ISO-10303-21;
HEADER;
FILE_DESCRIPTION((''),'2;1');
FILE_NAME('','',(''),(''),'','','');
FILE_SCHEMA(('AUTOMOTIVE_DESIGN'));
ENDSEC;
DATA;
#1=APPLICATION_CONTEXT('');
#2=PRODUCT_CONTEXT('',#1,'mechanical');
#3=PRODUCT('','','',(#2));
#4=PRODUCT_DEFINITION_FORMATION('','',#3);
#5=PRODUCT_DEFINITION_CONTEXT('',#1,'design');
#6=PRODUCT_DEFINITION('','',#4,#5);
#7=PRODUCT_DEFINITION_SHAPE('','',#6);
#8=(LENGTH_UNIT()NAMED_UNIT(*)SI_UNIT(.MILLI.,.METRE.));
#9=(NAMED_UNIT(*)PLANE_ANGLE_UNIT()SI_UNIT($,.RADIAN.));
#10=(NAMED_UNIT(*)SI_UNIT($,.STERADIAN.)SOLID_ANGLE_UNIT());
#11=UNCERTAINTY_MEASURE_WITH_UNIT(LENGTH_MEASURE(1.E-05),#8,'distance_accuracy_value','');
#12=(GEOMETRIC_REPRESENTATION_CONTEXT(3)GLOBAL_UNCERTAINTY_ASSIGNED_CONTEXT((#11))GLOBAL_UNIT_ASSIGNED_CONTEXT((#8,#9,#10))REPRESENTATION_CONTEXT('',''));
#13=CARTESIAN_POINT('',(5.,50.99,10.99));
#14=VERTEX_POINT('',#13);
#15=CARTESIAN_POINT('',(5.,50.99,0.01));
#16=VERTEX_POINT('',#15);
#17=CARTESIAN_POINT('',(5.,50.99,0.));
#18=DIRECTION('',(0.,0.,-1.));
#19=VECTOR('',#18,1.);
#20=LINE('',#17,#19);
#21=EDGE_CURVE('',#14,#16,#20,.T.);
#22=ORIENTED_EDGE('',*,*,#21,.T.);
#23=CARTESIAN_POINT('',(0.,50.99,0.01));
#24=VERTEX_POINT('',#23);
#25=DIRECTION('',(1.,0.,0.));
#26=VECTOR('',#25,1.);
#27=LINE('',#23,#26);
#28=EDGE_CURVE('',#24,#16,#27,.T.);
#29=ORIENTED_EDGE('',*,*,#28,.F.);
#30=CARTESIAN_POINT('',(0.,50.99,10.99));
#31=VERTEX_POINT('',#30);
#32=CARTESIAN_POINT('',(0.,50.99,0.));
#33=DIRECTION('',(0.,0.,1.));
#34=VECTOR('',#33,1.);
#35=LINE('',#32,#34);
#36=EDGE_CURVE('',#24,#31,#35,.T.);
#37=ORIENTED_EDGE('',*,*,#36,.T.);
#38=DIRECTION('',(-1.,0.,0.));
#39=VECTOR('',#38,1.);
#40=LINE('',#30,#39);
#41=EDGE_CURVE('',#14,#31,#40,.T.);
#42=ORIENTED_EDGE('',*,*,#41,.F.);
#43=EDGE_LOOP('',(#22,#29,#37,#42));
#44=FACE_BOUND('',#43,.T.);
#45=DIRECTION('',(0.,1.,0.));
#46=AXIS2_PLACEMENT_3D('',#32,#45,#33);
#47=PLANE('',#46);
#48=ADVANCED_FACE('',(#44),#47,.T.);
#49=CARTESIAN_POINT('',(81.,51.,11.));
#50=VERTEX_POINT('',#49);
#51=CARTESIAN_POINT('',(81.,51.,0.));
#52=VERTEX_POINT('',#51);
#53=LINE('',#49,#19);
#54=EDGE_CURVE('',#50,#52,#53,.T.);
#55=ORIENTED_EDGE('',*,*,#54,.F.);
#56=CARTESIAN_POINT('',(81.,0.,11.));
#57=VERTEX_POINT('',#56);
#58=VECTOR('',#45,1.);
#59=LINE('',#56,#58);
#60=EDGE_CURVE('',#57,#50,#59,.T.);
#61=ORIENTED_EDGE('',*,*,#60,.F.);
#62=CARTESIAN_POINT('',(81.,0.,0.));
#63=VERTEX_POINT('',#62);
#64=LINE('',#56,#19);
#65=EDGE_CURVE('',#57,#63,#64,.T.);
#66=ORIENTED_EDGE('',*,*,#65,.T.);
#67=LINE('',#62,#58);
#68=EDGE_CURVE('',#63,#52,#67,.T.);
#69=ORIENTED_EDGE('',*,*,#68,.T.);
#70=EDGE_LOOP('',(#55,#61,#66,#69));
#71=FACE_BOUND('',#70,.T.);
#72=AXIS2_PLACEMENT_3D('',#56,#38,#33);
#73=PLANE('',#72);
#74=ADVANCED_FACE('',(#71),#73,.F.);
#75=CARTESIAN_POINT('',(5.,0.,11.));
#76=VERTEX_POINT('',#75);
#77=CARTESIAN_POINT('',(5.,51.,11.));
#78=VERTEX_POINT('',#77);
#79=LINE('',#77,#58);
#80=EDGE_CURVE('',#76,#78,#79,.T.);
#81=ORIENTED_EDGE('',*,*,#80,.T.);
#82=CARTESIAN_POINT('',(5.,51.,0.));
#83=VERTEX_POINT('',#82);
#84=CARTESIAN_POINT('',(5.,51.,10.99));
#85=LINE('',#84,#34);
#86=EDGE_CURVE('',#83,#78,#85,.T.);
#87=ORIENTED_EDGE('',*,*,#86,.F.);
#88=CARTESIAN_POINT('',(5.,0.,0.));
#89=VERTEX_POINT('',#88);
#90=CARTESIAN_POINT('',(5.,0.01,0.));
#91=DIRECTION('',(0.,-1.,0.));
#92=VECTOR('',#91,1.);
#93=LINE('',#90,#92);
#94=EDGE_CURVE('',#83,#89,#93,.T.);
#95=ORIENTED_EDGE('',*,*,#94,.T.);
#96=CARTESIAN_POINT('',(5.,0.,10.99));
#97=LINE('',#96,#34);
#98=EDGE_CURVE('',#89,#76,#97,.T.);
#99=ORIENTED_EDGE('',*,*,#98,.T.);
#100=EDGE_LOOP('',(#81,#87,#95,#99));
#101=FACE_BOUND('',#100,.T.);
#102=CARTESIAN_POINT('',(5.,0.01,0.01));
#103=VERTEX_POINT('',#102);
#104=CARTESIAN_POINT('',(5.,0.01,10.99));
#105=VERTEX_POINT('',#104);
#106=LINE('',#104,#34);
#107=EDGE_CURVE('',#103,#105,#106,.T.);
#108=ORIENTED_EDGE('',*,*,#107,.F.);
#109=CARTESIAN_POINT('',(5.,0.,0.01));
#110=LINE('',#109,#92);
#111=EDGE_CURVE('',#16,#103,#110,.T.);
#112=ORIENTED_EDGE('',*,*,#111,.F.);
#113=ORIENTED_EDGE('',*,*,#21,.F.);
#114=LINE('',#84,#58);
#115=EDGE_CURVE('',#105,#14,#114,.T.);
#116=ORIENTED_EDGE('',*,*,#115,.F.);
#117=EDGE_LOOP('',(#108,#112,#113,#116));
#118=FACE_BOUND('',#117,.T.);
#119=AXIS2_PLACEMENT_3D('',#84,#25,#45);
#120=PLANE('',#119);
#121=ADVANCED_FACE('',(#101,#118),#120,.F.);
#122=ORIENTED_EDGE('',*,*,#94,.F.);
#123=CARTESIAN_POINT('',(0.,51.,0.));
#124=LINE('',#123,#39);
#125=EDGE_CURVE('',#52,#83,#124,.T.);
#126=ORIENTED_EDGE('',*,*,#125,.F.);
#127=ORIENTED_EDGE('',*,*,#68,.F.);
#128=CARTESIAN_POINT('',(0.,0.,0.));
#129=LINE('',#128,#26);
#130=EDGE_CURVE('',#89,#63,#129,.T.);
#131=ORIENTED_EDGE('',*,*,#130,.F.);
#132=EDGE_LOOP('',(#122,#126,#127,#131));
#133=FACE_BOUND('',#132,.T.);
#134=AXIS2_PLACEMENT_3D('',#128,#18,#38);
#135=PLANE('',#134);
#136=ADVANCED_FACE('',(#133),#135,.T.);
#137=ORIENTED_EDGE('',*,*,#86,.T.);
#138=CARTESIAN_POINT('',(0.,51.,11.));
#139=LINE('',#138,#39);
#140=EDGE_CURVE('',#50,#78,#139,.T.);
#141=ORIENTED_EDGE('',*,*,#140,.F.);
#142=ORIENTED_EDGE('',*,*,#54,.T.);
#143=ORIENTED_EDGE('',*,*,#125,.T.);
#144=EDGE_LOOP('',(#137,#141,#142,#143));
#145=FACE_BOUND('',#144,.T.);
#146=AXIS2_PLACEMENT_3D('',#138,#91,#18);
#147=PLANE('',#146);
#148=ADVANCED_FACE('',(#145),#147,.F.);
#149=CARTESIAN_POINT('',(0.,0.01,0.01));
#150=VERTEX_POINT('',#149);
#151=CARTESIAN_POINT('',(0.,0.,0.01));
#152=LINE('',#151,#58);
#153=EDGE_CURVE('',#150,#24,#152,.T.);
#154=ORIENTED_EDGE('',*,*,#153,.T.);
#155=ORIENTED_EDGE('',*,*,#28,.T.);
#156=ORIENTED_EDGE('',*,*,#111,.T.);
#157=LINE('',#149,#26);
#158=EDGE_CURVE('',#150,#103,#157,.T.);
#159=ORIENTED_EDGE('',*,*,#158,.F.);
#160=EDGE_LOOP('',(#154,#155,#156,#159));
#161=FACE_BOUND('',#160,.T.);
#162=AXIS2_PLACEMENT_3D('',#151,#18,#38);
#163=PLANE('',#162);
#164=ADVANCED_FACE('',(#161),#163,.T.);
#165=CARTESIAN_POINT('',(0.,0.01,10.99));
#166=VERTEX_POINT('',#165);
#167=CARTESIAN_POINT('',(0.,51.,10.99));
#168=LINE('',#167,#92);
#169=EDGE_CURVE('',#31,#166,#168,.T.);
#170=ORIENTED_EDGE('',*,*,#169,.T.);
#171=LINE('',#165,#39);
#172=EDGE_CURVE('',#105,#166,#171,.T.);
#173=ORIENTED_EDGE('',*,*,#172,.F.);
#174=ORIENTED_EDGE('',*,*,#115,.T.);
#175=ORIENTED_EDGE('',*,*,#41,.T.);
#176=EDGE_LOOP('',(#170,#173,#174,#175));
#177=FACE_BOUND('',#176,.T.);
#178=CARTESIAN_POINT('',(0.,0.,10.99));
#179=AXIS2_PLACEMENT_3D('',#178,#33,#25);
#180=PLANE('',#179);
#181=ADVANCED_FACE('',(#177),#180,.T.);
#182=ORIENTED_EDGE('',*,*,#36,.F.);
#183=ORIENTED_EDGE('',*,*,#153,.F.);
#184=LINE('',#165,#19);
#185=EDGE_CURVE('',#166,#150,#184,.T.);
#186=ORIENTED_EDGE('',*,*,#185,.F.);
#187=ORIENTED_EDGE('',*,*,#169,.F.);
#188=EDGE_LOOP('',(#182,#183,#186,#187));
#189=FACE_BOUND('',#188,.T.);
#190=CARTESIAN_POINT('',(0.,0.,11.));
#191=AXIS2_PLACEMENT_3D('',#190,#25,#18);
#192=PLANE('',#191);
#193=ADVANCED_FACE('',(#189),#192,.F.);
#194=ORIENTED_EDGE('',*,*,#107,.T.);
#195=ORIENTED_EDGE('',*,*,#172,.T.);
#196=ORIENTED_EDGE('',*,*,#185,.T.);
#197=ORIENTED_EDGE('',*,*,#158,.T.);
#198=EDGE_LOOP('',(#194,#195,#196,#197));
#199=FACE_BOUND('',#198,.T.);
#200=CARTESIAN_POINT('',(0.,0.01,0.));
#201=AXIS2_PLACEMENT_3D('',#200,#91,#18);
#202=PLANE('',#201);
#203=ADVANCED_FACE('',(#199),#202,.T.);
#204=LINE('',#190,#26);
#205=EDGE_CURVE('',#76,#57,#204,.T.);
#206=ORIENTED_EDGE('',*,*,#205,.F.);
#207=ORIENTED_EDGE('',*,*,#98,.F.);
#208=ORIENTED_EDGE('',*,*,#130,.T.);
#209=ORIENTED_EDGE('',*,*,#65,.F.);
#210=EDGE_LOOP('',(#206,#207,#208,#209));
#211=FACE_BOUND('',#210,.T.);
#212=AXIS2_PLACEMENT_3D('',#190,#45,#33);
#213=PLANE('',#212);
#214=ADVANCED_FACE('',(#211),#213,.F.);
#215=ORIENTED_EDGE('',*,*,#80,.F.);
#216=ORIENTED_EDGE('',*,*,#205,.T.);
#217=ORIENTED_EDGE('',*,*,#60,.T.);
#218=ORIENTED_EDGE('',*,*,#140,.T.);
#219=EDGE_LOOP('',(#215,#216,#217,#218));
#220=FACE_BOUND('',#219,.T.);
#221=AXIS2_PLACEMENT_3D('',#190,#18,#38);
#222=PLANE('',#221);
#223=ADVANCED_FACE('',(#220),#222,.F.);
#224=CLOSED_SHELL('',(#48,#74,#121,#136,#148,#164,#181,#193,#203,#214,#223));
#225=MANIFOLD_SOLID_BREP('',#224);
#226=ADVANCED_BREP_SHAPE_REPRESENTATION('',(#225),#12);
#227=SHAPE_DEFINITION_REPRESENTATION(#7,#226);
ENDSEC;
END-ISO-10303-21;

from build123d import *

# Parameters (mm, degrees)
SKETCH1_W           = 81
SKETCH1_H           = 51
BOSS_EXTRUDE1_DEPTH = 11
SKETCH2_W           = 5
SKETCH2_H           = 51
CUT_EXTRUDE1_DEPTH  = 0.01
SKETCH3_W           = 5
SKETCH3_H           = 10.99
CUT_EXTRUDE2_DEPTH  = 0.01
SKETCH4_W           = 5
SKETCH4_H           = 51
CUT_EXTRUDE3_DEPTH  = 0.01
SKETCH5_W           = 5
SKETCH5_H           = 11
CUT_EXTRUDE4_DEPTH  = 0.01


with BuildPart() as part:
    # Sketch1 → Boss-Extrude1 (new body)
    with BuildSketch(Plane.XY):
        with Locations((40.5, 25.5)):
            Rectangle(SKETCH1_W, SKETCH1_H)
    extrude(amount=BOSS_EXTRUDE1_DEPTH)

    # Sketch2 → Cut-Extrude1 (cut)
    with BuildSketch(Plane.XY.offset(11)):
        with Locations((2.5, 25.5)):
            Rectangle(SKETCH2_W, SKETCH2_H)
    extrude(amount=-CUT_EXTRUDE1_DEPTH, mode=Mode.SUBTRACT)

    # Sketch3 → Cut-Extrude2 (cut)
    with BuildSketch(Plane.XZ):
        with Locations((2.5, 5.495)):
            Rectangle(SKETCH3_W, SKETCH3_H)
    extrude(amount=-CUT_EXTRUDE2_DEPTH, mode=Mode.SUBTRACT)

    # Sketch4 → Cut-Extrude3 (cut)
    with BuildSketch(Plane(origin=(0, 0, 0), x_dir=(-1, 0, 0), z_dir=(0, 0, -1))):
        with Locations((-2.5, 25.5)):
            Rectangle(SKETCH4_W, SKETCH4_H)
    extrude(amount=-CUT_EXTRUDE3_DEPTH, mode=Mode.SUBTRACT)

    # Sketch5 → Cut-Extrude4 (cut)
    with BuildSketch(Plane(origin=(0, 51, 0), x_dir=(1, 0, 0), z_dir=(0, 1, 0))):
        with Locations((2.5, -5.5)):
            Rectangle(SKETCH5_W, SKETCH5_H)
    extrude(amount=-CUT_EXTRUDE4_DEPTH, mode=Mode.SUBTRACT)


solid = part.part
